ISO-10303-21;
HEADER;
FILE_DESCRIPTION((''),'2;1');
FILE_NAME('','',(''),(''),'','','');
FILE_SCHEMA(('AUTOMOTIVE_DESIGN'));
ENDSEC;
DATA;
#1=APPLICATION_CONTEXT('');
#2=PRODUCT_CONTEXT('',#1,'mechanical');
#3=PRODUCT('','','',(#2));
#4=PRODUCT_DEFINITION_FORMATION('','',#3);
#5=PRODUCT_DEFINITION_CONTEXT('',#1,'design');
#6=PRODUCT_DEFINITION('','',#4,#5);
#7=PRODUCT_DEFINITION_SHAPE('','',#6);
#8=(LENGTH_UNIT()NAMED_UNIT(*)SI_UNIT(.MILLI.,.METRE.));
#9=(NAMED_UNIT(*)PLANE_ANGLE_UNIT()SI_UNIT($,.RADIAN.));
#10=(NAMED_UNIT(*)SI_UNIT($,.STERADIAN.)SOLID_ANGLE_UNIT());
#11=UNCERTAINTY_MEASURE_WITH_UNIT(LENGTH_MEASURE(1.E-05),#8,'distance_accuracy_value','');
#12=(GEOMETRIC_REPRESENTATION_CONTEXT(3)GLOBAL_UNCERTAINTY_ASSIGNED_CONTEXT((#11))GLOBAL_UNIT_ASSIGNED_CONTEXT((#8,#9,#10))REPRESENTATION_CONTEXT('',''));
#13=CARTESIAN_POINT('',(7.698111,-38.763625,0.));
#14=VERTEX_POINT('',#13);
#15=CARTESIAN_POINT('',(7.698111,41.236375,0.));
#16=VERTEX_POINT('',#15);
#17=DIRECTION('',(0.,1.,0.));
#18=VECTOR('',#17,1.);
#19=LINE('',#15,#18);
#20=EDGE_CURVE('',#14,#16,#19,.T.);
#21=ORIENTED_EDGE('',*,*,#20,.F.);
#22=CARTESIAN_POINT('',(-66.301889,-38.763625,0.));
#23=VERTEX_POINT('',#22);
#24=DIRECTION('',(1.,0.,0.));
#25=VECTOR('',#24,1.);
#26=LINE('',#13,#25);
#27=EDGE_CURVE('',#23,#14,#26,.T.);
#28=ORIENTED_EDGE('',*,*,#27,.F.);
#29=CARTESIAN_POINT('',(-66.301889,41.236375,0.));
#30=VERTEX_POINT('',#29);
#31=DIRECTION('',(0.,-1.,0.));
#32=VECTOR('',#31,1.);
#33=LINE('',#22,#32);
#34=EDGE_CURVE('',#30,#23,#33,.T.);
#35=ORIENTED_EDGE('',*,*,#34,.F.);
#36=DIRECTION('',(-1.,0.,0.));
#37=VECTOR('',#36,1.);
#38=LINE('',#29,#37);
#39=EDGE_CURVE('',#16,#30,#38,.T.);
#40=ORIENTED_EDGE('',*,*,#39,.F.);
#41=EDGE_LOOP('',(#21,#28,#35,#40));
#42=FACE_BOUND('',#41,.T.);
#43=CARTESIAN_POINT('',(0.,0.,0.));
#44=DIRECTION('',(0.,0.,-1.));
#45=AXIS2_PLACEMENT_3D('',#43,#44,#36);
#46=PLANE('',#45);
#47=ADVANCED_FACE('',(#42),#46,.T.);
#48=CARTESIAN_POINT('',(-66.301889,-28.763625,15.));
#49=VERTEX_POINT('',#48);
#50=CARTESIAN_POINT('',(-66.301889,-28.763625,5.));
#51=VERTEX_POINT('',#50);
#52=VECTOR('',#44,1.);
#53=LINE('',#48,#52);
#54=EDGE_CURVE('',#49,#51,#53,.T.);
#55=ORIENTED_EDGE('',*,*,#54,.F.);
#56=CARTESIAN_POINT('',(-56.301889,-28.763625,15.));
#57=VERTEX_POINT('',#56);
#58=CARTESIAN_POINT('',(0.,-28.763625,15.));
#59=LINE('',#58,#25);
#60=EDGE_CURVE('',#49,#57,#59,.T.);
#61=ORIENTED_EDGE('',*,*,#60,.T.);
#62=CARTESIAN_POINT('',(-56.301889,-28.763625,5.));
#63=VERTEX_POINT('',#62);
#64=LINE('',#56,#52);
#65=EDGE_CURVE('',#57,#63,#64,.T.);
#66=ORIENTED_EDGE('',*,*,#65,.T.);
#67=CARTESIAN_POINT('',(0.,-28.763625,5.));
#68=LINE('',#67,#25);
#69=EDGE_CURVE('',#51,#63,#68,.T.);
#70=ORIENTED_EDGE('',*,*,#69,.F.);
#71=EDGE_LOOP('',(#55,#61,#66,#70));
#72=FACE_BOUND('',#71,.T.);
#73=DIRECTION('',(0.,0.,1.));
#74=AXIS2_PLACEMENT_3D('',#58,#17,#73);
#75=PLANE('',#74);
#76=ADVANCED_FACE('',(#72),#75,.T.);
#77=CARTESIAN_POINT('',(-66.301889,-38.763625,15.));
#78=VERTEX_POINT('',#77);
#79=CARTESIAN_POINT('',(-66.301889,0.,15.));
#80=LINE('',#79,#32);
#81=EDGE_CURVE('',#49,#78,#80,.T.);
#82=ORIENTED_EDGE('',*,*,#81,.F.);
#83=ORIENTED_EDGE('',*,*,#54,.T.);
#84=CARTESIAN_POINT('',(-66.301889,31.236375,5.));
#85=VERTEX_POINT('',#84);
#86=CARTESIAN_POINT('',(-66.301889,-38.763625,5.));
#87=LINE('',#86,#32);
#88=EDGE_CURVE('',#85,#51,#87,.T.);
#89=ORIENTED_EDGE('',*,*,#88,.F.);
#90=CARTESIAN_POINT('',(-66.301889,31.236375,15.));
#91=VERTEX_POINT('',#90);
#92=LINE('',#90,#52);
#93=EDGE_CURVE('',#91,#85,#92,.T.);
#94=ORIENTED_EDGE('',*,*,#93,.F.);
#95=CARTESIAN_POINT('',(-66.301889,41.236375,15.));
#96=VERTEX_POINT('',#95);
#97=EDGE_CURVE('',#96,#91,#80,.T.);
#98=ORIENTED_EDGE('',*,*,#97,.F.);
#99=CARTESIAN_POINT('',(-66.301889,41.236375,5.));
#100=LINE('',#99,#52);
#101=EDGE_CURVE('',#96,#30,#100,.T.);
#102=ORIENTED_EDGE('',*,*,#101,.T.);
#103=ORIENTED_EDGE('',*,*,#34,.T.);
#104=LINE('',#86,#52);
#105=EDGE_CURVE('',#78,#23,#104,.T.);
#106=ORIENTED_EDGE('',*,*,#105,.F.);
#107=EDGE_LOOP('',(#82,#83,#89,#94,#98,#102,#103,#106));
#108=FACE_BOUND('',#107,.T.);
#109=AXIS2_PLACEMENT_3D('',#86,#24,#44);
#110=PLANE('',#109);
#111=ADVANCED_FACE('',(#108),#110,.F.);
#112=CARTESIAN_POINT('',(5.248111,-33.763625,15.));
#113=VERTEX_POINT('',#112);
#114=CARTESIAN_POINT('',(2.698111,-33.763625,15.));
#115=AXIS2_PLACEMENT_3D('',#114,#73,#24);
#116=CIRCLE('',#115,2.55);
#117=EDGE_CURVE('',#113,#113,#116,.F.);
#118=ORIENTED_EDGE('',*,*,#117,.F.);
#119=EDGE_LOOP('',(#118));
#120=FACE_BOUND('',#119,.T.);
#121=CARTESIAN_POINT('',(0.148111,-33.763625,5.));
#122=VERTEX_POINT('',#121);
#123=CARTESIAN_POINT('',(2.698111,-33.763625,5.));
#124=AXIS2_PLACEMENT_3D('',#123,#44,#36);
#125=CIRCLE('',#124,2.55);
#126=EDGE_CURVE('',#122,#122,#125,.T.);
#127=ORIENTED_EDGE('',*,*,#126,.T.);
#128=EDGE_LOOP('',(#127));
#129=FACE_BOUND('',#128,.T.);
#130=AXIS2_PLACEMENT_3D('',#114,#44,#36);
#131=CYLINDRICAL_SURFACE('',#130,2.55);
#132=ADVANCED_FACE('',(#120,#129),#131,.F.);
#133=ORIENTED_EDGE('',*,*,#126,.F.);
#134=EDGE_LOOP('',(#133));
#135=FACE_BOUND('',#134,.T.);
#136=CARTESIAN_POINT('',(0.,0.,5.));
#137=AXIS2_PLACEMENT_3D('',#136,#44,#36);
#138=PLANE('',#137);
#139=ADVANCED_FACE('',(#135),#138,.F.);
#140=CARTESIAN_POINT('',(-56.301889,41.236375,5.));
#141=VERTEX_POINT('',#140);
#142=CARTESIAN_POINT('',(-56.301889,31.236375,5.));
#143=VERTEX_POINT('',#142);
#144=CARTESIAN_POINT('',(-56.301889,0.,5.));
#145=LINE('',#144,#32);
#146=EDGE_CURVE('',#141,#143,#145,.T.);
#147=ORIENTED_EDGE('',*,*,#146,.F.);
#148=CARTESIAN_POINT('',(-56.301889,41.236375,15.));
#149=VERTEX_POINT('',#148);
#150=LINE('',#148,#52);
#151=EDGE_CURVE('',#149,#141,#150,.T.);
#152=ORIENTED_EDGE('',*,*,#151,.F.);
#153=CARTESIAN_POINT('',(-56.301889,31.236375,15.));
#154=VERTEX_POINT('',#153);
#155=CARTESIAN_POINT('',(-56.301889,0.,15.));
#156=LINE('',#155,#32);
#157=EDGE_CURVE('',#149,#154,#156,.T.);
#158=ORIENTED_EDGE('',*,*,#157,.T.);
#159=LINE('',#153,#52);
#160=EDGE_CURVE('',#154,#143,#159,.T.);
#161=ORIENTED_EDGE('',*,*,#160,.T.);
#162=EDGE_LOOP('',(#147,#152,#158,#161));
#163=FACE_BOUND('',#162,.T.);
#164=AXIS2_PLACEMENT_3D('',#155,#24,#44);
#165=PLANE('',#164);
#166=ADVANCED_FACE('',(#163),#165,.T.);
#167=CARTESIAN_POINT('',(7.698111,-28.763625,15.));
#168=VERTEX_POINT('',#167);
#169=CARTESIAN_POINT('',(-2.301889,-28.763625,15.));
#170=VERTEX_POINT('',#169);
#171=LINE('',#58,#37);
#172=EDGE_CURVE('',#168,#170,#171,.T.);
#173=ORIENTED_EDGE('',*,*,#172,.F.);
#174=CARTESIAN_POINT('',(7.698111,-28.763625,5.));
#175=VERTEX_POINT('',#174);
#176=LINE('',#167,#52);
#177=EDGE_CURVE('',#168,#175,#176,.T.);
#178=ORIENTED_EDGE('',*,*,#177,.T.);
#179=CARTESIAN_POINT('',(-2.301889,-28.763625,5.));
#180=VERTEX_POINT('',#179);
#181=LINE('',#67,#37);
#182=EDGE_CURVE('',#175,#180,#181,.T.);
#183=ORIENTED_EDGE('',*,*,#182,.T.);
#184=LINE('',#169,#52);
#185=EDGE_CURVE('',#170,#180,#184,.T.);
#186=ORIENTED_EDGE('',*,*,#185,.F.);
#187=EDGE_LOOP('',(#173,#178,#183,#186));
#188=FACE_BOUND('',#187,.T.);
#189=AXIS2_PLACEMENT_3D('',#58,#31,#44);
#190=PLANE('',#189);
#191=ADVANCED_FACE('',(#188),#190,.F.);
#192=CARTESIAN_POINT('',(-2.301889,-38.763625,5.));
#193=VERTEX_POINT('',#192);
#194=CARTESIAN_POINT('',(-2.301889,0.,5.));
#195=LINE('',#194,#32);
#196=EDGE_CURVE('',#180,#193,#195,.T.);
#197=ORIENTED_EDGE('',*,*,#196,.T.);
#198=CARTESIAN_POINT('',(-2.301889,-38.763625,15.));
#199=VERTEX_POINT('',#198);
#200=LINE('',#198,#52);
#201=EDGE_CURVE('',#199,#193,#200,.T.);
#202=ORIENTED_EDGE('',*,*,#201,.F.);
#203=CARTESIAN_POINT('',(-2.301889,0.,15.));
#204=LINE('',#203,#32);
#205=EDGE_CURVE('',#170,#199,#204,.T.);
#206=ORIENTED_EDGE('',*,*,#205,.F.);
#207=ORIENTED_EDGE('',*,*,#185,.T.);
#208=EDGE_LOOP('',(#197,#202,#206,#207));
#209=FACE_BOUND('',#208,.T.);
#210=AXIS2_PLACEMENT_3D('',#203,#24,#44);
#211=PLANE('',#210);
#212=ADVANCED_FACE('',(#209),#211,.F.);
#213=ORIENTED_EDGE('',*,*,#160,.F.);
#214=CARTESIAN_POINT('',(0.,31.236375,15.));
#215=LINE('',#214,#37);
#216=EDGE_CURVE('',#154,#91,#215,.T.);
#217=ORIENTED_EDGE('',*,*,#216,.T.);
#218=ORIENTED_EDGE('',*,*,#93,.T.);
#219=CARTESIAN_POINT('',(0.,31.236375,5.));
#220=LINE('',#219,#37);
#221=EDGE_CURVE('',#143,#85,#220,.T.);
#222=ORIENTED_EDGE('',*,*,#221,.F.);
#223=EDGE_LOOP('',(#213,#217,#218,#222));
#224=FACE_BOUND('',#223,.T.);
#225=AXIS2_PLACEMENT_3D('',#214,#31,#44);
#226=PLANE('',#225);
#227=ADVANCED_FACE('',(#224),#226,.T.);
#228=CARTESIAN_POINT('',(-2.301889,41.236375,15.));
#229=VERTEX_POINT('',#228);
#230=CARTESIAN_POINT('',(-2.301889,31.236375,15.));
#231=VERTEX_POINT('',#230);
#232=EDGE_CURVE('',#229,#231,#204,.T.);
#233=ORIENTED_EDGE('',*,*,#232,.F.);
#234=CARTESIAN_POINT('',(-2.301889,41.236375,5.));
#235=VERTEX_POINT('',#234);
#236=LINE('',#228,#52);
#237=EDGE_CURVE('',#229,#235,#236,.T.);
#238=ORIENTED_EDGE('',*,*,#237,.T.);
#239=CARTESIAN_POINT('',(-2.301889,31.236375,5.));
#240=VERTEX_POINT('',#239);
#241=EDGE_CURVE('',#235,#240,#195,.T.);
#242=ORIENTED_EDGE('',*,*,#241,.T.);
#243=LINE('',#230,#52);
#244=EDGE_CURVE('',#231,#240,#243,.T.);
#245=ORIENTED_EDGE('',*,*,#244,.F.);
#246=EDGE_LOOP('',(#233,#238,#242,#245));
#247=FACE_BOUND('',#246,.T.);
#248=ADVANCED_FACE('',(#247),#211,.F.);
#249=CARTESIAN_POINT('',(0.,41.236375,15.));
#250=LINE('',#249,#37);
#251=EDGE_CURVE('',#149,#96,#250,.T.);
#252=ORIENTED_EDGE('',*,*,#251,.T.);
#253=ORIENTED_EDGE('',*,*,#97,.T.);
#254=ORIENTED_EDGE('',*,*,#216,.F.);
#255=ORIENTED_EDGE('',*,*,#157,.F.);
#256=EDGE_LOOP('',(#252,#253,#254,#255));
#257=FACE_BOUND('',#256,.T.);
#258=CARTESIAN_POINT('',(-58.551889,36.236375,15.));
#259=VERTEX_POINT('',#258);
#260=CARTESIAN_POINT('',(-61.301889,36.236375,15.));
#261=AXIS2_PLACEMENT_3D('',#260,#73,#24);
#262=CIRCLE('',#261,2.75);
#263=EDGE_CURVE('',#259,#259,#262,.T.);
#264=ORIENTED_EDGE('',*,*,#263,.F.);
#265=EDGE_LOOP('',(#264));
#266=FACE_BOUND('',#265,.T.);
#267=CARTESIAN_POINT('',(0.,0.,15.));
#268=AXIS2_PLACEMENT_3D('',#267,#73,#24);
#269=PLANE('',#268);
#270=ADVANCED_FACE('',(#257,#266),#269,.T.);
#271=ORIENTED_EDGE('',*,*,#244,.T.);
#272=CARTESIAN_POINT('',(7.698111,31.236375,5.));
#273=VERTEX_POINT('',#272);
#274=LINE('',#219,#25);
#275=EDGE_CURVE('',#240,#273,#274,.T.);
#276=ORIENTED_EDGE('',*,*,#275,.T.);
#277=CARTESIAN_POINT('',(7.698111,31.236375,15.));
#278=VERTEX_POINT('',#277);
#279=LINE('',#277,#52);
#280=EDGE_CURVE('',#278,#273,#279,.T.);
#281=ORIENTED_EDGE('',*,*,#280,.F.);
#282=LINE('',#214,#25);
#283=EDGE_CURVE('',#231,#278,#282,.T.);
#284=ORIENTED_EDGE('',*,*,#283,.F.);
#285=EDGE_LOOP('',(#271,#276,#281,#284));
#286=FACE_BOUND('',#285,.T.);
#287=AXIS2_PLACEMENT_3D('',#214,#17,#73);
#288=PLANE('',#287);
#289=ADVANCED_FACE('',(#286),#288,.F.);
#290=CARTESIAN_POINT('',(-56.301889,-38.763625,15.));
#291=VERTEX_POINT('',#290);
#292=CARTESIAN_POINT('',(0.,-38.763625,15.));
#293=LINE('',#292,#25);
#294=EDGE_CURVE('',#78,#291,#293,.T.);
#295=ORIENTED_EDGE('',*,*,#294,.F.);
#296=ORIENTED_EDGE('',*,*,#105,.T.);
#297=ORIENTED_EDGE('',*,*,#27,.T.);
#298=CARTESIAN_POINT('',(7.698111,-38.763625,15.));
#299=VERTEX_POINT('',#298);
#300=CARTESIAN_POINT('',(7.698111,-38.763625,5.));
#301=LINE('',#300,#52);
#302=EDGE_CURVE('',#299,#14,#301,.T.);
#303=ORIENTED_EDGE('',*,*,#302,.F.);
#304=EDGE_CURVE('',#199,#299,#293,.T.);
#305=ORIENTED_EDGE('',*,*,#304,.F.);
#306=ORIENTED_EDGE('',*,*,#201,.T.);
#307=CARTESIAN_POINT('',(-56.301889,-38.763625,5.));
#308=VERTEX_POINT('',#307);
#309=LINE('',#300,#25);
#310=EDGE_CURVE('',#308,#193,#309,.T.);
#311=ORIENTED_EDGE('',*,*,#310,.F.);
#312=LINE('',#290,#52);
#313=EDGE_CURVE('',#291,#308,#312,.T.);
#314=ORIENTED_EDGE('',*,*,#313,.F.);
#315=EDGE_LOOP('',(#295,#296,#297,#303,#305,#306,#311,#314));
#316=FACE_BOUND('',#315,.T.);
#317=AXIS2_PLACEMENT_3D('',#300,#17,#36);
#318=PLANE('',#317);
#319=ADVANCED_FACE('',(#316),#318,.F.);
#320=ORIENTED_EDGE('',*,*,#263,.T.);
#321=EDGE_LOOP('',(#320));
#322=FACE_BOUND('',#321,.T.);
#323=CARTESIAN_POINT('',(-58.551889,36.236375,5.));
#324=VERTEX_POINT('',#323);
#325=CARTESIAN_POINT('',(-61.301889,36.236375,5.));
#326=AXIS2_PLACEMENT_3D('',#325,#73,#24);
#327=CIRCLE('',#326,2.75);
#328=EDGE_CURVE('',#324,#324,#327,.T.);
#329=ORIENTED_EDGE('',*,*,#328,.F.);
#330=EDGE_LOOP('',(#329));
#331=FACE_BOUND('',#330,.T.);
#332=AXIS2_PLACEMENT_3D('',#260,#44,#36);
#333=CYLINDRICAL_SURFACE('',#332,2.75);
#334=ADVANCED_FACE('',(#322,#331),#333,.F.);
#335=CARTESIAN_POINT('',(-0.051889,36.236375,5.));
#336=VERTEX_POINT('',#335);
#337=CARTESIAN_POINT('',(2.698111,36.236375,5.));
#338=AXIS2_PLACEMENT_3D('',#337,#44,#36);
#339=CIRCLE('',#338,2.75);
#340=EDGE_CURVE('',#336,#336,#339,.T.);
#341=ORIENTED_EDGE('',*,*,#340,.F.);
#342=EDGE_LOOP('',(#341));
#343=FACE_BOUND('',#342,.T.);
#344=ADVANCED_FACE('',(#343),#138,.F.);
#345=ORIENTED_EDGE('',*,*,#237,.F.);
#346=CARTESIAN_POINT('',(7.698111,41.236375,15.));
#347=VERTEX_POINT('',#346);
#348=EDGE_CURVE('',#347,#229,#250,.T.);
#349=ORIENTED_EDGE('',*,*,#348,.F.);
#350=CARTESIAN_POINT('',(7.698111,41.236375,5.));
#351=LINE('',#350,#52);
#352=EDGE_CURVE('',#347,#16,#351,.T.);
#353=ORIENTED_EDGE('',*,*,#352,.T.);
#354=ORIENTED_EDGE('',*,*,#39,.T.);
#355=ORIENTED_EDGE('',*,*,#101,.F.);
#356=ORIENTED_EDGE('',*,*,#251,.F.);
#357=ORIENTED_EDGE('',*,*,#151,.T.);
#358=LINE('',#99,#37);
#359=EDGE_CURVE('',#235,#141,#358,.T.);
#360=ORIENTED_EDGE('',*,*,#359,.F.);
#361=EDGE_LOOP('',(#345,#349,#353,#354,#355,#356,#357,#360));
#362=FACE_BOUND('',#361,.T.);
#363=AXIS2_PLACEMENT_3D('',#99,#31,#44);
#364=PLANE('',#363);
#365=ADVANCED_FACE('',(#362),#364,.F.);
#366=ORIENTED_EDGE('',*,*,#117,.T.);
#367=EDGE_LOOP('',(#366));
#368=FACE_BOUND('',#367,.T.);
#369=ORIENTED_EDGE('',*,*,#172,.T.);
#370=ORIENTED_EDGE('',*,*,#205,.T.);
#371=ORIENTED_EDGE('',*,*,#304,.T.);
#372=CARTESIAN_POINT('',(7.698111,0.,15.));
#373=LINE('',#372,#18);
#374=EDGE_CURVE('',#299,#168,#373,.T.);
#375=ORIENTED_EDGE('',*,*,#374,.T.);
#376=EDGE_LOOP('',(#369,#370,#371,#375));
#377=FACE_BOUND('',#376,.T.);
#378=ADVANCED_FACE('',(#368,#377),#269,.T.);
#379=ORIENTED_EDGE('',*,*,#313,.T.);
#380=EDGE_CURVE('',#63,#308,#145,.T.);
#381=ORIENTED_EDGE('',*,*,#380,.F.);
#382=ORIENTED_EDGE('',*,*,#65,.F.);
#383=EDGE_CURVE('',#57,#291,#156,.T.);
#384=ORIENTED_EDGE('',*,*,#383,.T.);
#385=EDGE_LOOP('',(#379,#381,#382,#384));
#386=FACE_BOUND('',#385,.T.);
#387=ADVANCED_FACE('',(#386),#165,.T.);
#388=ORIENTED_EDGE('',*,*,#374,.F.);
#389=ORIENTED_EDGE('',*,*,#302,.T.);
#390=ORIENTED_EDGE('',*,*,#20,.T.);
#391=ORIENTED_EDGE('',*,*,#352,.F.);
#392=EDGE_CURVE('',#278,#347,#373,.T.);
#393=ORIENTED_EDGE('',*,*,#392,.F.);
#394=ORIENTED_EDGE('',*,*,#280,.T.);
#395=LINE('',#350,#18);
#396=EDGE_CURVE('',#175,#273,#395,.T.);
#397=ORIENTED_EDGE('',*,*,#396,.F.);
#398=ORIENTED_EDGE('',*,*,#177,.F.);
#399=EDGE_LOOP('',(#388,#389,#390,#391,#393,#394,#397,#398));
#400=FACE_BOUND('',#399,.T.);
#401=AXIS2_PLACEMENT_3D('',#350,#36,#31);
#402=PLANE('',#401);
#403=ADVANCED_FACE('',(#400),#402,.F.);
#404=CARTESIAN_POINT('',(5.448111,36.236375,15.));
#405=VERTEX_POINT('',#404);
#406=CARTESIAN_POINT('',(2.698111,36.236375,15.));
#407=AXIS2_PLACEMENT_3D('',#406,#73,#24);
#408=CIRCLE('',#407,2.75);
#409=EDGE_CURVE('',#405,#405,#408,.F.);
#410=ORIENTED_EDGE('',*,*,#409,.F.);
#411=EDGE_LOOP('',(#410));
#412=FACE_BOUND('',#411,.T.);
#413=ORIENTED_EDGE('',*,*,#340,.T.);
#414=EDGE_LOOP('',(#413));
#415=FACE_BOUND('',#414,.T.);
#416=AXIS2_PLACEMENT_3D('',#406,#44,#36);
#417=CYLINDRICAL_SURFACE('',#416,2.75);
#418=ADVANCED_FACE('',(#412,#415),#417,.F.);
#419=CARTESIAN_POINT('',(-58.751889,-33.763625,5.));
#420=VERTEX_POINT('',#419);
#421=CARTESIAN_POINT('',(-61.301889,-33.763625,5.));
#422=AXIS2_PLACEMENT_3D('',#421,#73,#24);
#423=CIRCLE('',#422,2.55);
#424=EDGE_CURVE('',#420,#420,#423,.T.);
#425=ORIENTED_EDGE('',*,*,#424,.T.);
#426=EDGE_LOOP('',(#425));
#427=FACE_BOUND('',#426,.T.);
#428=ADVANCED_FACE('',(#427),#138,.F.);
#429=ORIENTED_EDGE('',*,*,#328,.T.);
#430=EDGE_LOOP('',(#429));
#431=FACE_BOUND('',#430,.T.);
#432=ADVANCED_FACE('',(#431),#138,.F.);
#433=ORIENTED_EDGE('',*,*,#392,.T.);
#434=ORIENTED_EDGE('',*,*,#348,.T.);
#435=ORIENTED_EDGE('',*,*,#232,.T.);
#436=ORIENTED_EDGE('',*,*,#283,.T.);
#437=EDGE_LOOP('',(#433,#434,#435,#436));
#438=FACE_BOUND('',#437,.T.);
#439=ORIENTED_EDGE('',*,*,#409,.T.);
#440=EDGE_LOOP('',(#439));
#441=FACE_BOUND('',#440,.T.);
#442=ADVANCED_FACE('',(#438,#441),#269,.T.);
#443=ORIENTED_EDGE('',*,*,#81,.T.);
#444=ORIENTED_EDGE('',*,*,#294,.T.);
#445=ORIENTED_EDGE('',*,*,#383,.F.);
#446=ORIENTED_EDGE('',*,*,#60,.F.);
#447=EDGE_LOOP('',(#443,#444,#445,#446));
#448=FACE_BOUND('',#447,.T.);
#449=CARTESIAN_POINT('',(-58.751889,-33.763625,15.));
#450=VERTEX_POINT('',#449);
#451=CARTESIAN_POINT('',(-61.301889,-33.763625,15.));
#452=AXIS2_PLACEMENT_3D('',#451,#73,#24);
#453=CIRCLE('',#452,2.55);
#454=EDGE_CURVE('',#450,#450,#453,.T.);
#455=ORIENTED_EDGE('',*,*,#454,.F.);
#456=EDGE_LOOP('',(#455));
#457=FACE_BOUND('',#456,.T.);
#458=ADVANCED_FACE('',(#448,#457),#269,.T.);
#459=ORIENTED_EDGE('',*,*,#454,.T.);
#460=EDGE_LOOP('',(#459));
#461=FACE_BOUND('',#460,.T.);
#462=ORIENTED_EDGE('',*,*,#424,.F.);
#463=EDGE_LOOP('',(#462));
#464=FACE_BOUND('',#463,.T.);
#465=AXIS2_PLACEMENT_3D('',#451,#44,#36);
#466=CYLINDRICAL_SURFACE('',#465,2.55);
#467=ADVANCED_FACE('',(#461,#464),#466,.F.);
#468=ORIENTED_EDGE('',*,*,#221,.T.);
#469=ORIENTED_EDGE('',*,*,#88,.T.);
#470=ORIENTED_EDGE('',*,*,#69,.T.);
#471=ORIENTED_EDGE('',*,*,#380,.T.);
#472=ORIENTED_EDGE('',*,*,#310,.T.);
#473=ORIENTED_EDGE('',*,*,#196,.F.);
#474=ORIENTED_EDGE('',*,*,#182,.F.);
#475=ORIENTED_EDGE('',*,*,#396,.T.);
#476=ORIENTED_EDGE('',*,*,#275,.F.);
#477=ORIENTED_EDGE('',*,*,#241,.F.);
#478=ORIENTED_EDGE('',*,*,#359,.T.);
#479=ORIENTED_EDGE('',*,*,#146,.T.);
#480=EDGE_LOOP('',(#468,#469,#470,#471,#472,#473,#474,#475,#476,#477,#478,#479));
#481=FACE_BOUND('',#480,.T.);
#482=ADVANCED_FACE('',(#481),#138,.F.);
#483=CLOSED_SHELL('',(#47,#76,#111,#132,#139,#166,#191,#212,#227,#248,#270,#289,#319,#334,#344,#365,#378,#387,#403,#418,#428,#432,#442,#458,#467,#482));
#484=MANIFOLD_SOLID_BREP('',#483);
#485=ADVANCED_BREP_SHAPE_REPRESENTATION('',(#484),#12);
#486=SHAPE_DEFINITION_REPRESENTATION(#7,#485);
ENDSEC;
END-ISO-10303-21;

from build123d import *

# Parameters (mm, degrees)
CROQUIS1_W              = 74
CROQUIS1_H              = 80
SALIENTE_EXTRUIR1_DEPTH = 5
CROQUIS2_W              = 10
CROQUIS2_H              = 10
CROQUIS2_R              = 2.75
CROQUIS2_R_2            = 2.55
SALIENTE_EXTRUIR2_DEPTH = 10


with BuildPart() as part:
    # Croquis1 → Saliente-Extruir1 (new body)
    with BuildSketch(Plane.XY):
        with Locations((-29.301889279, 1.236374696)):
            Rectangle(CROQUIS1_W, CROQUIS1_H)
    extrude(amount=SALIENTE_EXTRUIR1_DEPTH)

    # Croquis2 → Saliente-Extruir2 (add)
    with BuildSketch(Plane.XY.offset(5)):
        with Locations((-61.301889279, 36.236374696)):
            Rectangle(CROQUIS2_W, CROQUIS2_H)
        with Locations((-61.301889279, 36.236374696)):
            Circle(CROQUIS2_R, mode=Mode.SUBTRACT)
        with Locations((2.698110721, 36.236374696)):
            Rectangle(CROQUIS2_W, CROQUIS2_H)
        with Locations((2.698110721, 36.236374696)):
            Circle(CROQUIS2_R, mode=Mode.SUBTRACT)
        with Locations((2.698110721, -33.763625304)):
            Rectangle(CROQUIS2_W, CROQUIS2_H)
        with Locations((2.698110721, -33.763625304)):
            Circle(CROQUIS2_R_2, mode=Mode.SUBTRACT)
        with Locations((-61.301889279, -33.763625304)):
            Rectangle(CROQUIS2_W, CROQUIS2_H)
        with Locations((-61.301889279, -33.763625304)):
            Circle(CROQUIS2_R_2, mode=Mode.SUBTRACT)
    extrude(amount=SALIENTE_EXTRUIR2_DEPTH)


solid = part.part
